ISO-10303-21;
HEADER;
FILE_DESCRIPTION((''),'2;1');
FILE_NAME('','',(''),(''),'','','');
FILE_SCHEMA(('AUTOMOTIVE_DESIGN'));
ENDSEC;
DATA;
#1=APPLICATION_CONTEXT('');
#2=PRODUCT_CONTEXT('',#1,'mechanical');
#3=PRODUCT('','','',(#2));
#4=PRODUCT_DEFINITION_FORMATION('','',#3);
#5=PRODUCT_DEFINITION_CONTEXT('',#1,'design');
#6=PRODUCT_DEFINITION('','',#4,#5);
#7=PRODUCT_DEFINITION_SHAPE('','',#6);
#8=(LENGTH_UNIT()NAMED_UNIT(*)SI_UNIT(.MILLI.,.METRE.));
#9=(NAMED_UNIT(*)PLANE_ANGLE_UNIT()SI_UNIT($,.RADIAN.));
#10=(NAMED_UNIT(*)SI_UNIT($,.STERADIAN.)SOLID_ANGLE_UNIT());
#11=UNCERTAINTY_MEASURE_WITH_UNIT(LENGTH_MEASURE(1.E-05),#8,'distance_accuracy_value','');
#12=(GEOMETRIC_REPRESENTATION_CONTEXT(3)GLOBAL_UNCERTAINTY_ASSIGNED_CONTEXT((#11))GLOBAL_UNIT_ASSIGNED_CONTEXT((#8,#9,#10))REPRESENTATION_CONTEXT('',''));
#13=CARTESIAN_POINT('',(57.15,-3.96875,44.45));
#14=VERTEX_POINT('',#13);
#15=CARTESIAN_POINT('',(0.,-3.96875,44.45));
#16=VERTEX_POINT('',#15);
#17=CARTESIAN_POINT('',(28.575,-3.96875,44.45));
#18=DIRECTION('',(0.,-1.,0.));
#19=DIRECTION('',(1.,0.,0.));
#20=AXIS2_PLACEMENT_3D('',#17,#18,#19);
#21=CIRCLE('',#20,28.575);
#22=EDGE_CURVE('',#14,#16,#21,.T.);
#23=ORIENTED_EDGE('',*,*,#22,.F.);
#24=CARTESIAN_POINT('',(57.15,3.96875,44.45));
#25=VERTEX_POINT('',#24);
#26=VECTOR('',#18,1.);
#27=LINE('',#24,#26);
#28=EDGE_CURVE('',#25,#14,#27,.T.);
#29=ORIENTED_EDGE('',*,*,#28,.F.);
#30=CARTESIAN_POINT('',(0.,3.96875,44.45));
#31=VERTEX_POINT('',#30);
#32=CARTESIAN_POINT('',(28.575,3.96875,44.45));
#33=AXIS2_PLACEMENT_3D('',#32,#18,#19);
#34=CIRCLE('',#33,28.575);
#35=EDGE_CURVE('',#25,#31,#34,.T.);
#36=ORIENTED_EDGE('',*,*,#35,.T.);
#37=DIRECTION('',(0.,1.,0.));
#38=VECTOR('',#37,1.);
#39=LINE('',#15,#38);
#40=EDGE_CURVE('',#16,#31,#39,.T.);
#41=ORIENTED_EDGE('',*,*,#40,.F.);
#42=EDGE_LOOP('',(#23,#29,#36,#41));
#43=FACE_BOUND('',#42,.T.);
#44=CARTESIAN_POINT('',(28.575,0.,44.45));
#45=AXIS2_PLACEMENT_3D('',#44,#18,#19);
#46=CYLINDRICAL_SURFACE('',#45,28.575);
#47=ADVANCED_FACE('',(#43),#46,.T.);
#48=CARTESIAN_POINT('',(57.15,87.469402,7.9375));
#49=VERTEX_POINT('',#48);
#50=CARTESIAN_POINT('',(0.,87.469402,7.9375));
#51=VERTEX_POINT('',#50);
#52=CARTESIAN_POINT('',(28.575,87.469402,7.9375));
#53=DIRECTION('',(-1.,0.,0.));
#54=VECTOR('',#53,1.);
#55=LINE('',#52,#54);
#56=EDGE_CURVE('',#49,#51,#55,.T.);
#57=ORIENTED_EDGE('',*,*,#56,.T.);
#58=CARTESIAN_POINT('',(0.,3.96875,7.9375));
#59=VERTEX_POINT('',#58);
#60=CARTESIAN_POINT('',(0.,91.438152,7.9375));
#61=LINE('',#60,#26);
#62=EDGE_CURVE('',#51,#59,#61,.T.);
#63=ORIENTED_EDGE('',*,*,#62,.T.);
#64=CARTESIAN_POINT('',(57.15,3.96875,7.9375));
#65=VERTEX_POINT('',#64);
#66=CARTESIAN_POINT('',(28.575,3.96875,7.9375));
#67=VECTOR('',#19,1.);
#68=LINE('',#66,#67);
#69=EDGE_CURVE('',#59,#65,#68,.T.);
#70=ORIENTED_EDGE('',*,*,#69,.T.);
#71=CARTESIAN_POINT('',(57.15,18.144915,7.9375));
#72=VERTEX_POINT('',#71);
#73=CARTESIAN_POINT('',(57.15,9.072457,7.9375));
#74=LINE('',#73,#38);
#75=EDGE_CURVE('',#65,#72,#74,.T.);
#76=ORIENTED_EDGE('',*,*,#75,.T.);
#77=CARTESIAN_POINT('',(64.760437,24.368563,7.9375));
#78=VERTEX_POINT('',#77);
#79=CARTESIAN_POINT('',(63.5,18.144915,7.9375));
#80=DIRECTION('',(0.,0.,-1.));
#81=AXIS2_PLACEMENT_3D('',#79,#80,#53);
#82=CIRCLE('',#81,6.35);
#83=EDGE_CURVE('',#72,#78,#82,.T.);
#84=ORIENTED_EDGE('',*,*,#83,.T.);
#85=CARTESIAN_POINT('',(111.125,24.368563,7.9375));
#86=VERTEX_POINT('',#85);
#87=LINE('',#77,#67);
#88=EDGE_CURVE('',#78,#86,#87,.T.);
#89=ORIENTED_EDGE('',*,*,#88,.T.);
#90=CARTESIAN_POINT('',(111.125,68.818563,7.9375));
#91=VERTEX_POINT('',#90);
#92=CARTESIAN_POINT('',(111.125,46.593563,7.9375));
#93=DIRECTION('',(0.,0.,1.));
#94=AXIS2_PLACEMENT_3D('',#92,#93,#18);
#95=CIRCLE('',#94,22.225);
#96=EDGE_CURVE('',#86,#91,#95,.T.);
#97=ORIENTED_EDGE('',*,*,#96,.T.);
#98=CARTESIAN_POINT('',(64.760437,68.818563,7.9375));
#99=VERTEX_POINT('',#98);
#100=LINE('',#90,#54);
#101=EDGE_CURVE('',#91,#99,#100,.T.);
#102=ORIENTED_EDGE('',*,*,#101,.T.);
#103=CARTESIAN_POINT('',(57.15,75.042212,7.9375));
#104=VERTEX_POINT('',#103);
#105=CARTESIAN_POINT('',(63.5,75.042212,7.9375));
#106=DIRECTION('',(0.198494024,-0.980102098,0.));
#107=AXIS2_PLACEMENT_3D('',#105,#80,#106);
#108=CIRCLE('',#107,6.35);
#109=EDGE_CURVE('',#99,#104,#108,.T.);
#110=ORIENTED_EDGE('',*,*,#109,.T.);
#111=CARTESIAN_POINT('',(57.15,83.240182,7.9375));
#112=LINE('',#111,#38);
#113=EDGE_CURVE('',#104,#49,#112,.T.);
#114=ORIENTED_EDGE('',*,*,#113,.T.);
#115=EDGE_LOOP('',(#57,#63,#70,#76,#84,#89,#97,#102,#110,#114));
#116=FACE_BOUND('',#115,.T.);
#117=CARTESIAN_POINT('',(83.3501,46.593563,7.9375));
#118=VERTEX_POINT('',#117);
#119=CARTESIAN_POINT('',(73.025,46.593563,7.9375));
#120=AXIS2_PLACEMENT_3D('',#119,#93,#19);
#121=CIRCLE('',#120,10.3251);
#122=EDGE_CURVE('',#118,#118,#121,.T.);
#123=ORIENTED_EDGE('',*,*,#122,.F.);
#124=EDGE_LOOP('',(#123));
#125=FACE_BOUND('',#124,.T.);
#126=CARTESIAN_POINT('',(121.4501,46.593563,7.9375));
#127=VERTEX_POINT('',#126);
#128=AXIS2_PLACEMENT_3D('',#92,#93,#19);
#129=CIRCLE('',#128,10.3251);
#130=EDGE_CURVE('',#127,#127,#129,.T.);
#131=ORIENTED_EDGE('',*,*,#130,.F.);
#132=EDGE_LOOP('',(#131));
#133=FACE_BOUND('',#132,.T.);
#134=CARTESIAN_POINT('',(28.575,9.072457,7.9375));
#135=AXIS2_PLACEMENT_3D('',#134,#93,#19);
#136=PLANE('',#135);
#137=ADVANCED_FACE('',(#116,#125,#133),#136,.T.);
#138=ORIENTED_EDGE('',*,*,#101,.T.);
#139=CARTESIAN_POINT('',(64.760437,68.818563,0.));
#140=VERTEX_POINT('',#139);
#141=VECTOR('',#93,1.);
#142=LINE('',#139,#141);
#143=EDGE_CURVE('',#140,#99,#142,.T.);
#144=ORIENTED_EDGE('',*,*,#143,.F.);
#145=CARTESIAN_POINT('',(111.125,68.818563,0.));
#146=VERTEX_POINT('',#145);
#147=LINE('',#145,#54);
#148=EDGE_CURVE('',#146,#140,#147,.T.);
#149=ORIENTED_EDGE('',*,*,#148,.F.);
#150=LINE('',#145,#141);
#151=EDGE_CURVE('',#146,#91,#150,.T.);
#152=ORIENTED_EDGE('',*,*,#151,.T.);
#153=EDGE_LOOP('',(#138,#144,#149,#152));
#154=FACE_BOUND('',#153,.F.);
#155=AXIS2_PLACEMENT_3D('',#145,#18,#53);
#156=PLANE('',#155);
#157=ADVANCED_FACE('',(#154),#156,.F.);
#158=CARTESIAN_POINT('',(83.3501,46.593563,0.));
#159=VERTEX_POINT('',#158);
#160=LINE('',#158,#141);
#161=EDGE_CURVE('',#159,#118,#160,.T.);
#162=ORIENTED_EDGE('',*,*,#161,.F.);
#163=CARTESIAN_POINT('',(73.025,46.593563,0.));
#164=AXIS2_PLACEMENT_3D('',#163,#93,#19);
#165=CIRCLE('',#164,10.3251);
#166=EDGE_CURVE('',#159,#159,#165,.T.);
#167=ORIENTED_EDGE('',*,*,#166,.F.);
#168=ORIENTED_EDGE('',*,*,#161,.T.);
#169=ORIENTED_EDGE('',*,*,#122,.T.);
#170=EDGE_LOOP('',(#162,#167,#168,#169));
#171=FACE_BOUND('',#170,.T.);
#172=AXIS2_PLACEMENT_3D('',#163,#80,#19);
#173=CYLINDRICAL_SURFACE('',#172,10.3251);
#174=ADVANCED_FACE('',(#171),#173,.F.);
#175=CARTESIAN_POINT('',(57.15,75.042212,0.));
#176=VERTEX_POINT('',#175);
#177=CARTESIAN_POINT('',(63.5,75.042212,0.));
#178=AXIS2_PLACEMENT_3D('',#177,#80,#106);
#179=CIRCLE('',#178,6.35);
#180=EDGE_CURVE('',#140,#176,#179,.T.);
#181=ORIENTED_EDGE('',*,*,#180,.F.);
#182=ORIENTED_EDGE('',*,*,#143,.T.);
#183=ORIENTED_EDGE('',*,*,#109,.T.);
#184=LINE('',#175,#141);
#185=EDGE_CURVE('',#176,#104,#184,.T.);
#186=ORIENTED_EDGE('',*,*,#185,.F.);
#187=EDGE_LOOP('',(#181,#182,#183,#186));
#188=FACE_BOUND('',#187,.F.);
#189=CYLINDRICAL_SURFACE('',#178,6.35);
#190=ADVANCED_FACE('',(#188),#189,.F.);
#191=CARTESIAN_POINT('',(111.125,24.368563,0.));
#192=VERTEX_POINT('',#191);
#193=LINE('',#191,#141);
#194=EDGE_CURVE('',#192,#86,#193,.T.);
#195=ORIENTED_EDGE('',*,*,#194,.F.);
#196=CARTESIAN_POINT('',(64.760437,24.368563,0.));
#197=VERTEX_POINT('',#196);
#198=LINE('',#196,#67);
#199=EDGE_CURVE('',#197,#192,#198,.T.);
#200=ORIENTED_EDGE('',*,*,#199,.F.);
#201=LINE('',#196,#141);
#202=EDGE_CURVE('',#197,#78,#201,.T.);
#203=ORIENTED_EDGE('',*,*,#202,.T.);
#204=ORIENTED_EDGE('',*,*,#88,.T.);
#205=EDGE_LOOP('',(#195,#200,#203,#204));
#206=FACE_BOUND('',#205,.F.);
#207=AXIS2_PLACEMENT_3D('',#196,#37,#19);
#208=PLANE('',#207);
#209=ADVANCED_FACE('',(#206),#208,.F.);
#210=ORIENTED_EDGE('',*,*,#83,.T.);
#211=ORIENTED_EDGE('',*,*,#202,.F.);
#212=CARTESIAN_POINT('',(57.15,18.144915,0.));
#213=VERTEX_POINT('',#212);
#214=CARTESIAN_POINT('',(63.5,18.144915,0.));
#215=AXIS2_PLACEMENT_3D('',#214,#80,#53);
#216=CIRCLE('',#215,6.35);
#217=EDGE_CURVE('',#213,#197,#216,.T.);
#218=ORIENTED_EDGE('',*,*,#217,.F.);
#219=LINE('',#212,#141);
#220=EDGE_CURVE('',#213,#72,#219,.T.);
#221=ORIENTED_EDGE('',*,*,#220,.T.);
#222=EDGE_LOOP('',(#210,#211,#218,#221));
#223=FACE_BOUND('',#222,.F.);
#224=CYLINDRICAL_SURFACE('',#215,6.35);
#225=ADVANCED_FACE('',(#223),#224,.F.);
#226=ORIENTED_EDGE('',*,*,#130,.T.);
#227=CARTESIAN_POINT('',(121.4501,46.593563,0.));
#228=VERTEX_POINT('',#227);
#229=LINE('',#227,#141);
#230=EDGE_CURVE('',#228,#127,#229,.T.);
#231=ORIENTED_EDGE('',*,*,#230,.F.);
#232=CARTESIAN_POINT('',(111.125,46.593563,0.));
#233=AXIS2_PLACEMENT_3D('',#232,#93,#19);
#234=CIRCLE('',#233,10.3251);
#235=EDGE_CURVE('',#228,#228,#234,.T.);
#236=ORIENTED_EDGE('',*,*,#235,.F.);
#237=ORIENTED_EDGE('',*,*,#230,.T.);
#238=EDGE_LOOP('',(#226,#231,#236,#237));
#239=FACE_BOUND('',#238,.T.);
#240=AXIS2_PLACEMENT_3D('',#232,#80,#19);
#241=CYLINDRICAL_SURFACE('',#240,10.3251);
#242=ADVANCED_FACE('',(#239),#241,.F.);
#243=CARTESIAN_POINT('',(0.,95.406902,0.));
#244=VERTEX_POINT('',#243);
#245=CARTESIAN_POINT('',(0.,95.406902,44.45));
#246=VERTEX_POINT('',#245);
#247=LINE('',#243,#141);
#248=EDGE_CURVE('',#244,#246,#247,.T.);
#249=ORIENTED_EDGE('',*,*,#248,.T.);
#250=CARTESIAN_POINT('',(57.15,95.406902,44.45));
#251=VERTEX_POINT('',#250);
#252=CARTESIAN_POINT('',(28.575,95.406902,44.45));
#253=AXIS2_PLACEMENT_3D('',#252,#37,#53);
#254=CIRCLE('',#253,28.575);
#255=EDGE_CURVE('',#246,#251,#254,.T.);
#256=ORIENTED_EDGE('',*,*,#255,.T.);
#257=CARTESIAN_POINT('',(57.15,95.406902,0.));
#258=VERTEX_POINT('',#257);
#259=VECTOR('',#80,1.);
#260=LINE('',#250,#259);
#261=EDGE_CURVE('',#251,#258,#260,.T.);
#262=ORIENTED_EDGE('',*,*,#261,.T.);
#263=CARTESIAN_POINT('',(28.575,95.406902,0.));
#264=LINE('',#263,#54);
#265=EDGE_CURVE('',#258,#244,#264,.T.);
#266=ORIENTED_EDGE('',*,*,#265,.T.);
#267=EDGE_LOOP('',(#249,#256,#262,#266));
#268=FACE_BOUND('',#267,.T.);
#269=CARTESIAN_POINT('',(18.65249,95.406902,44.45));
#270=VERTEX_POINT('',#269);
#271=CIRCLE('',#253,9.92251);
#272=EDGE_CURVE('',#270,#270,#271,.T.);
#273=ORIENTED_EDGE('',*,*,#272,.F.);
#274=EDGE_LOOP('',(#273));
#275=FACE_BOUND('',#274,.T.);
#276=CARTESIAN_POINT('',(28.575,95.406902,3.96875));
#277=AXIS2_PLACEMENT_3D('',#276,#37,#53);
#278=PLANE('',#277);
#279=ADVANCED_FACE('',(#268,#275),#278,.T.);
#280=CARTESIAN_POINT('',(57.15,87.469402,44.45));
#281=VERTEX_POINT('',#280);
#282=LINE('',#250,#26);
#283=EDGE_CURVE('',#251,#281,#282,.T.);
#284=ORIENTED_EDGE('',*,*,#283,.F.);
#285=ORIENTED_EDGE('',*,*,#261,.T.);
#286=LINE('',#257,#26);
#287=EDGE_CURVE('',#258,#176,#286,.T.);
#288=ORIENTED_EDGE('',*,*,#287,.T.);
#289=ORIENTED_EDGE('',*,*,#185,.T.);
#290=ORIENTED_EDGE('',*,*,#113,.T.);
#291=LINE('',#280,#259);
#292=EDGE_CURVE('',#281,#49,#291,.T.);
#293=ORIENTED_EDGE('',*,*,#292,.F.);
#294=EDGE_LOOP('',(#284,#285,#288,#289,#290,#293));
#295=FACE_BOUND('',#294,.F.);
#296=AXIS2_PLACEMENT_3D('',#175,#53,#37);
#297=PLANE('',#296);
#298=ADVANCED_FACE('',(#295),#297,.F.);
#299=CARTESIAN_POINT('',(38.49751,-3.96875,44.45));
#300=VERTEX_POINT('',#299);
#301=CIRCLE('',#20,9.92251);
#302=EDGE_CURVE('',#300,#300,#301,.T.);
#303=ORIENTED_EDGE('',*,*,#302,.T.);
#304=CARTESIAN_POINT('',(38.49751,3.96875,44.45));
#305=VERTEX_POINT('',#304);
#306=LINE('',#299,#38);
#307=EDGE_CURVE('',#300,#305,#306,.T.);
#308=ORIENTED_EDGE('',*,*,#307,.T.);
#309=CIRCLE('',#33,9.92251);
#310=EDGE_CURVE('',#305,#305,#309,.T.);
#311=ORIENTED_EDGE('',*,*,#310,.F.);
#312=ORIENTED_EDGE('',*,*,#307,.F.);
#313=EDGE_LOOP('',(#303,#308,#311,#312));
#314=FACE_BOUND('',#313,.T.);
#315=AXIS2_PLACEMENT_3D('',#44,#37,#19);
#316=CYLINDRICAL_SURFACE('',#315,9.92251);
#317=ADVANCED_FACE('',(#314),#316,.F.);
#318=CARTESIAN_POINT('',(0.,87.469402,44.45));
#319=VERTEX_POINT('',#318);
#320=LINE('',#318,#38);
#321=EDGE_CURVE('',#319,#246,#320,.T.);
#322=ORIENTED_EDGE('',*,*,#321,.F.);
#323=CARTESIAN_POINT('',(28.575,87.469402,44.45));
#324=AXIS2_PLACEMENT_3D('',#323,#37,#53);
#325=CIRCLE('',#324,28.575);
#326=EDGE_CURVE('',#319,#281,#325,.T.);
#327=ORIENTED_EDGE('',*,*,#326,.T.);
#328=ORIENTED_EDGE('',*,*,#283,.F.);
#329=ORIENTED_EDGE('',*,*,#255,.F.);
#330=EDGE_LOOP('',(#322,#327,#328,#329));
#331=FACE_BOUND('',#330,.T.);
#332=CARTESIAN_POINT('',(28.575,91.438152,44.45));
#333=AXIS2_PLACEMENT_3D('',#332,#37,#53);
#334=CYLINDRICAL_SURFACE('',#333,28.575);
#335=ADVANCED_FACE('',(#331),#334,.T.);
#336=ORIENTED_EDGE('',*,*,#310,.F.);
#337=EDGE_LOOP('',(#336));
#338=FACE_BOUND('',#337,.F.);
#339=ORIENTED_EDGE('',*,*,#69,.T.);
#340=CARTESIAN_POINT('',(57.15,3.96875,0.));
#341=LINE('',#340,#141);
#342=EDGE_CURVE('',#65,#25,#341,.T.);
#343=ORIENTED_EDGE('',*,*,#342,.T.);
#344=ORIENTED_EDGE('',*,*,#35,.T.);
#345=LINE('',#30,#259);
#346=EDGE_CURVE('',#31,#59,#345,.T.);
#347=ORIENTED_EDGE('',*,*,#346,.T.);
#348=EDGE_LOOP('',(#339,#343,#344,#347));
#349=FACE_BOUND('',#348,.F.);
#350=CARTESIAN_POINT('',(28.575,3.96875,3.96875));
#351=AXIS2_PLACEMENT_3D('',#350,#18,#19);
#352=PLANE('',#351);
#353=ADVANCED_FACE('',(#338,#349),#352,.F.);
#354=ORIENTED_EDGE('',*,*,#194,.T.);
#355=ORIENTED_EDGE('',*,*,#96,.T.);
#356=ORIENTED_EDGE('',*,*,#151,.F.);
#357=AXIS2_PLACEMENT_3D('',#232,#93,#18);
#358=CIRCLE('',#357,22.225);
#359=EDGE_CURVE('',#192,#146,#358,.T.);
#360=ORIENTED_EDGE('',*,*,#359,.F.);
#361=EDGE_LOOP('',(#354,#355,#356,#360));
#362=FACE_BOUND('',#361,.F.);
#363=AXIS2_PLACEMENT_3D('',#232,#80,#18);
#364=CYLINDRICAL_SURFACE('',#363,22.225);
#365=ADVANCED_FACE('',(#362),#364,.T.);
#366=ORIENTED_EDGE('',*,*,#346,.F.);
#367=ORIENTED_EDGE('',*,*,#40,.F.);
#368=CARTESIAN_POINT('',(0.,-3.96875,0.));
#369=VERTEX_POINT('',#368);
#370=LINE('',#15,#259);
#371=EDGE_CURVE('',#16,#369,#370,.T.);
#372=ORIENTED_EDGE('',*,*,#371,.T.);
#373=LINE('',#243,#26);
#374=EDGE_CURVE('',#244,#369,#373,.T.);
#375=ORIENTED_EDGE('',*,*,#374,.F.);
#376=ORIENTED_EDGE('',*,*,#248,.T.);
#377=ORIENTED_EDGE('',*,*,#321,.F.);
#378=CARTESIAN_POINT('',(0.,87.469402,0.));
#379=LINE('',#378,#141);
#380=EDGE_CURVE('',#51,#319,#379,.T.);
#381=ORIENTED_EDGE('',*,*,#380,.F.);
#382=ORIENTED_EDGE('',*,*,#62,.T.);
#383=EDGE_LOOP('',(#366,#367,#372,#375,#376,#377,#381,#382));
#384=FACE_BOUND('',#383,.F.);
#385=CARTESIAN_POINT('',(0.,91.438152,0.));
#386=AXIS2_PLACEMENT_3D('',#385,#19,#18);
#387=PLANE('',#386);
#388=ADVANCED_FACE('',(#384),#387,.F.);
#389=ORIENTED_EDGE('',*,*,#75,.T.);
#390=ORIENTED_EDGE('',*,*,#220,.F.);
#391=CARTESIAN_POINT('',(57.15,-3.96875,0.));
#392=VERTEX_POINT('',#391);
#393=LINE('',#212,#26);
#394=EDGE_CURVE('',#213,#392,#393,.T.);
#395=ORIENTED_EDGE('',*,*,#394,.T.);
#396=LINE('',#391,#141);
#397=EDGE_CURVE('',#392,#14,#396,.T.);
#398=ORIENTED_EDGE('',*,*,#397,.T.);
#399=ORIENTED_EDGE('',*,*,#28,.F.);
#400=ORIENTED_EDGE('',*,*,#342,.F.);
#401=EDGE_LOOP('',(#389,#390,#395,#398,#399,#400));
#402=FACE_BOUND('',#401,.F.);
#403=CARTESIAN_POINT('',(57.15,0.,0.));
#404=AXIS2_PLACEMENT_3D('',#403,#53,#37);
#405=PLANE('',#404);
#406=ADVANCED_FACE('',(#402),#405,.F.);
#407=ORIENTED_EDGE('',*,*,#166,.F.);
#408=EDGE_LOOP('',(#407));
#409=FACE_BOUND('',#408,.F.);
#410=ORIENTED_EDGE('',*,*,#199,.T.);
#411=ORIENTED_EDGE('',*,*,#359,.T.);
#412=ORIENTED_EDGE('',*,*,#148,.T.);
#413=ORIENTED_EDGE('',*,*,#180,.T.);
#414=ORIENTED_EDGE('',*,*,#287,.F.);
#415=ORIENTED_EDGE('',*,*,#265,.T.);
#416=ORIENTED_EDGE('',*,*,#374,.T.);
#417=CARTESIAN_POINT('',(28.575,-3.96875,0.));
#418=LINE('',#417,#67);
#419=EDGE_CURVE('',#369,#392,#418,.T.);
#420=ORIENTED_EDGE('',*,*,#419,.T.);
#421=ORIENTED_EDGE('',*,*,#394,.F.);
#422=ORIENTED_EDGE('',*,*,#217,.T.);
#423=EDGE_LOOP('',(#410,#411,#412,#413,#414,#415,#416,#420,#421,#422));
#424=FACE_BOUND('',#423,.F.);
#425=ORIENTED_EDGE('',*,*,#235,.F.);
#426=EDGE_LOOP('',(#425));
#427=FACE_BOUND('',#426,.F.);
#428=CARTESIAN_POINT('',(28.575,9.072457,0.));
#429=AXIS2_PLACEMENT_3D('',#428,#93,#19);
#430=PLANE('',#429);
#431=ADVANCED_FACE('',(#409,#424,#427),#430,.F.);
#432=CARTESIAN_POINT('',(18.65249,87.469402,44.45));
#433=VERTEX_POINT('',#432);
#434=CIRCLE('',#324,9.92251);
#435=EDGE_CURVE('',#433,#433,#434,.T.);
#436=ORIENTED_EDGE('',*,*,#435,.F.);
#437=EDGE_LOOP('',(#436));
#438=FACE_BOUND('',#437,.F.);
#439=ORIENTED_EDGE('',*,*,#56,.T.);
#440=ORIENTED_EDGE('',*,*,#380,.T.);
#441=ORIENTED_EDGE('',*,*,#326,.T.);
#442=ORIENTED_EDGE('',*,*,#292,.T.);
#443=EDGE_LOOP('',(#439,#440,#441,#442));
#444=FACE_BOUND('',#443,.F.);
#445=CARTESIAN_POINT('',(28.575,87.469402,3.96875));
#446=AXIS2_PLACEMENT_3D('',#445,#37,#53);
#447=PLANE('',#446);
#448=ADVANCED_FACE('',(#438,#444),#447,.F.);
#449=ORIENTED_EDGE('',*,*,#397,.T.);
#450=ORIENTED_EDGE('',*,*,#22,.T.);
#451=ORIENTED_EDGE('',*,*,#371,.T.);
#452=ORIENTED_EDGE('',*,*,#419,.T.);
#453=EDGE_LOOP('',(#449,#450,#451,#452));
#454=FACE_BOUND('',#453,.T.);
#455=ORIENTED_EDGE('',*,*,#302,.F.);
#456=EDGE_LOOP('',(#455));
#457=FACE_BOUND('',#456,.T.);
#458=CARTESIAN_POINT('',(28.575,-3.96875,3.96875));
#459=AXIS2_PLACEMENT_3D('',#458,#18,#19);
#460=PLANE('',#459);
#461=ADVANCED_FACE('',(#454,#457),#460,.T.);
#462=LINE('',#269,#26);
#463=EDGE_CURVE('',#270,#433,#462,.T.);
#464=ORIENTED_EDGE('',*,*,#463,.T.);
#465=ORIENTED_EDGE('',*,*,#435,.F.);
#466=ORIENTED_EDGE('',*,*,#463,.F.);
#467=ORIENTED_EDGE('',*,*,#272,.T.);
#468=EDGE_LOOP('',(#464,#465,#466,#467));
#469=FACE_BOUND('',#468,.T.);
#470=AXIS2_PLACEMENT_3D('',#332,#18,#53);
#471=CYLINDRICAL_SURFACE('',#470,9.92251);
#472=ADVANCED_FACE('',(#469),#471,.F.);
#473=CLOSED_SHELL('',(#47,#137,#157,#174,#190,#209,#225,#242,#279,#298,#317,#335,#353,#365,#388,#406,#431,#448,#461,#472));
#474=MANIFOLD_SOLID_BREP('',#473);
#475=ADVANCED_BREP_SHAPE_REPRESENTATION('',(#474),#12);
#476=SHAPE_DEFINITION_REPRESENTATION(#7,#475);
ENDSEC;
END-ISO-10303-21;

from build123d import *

# Parameters (mm, degrees)
F0_W     = 57.15
F0_H     = 18.1449148804
F0_R     = 10.3251
F0_H_2   = 16.3959403712
F1_DEPTH = 7.9375
F2_W     = 57.15
F2_H     = 7.9375
F2_R     = 9.92251
F3_DEPTH = 3.96875
F4_W     = 57.15
F4_H     = 7.9375
F4_R     = 9.92251
F5_DEPTH = 3.96875


with BuildPart() as f1:
    # F0 (on Top) → F1 (new body)
    with BuildSketch(Plane.XY):
        with Locations((28.575, 9.0724574402)):
            Rectangle(F0_W, F0_H)
        with BuildLine():
            Line((0, 75.0422115248), (0, 18.1449148804))
            Line((0, 18.1449148804), (57.15, 18.1449148804))
            ThreePointArc((57.15, 18.1449148804), (59.4801290617, 23.0605163329), (64.7604370519, 24.3685632026))
            Line((64.7604370519, 24.3685632026), (111.125, 24.3685632026))
            ThreePointArc((111.125, 24.3685632026), (133.35, 46.5935632026), (111.125, 68.8185632026))
            Line((111.125, 68.8185632026), (64.7604370519, 68.8185632026))
            ThreePointArc((64.7604370519, 68.8185632026), (59.4801290617, 70.1266100723), (57.15, 75.0422115248))
            Line((57.15, 75.0422115248), (0, 75.0422115248))
        make_face()
        with Locations((73.025, 46.5935632026)):
            Circle(F0_R, mode=Mode.SUBTRACT)
        with Locations((111.125, 46.5935632026)):
            Circle(F0_R, mode=Mode.SUBTRACT)
        with Locations((28.575, 83.2401817104)):
            Rectangle(F0_W, F0_H_2)
    extrude(amount=F1_DEPTH)

    # F2 (on face) → F3 (join, symmetric)
    with BuildSketch(Plane.XZ):
        with Locations((28.575, 3.96875)):
            Rectangle(F2_W, F2_H)
        with BuildLine():
            Line((0, 44.45), (0, 7.9375))
            Line((0, 7.9375), (57.15, 7.9375))
            Line((57.15, 7.9375), (57.15, 44.45))
            ThreePointArc((57.15, 44.45), (28.575, 73.025), (0, 44.45))
        make_face()
        with Locations((28.575, 44.45)):
            Circle(F2_R, mode=Mode.SUBTRACT)
    extrude(amount=F3_DEPTH, both=True)

    # F4 (on face) → F5 (join, symmetric)
    with BuildSketch(Plane(origin=(0, 91.438151896, 0), x_dir=(-1, 0, 0), z_dir=(0, 1, 0))):
        with Locations((-28.575, 3.96875)):
            Rectangle(F4_W, F4_H)
        with BuildLine():
            Line((-57.15, 44.45), (-57.15, 7.9375))
            Line((-57.15, 7.9375), (0, 7.9375))
            Line((0, 7.9375), (0, 44.45))
            ThreePointArc((0, 44.45), (-28.575, 73.025), (-57.15, 44.45))
        make_face()
        with Locations((-28.575, 44.45)):
            Circle(F4_R, mode=Mode.SUBTRACT)
    extrude(amount=F5_DEPTH, both=True)


solid = f1.part
